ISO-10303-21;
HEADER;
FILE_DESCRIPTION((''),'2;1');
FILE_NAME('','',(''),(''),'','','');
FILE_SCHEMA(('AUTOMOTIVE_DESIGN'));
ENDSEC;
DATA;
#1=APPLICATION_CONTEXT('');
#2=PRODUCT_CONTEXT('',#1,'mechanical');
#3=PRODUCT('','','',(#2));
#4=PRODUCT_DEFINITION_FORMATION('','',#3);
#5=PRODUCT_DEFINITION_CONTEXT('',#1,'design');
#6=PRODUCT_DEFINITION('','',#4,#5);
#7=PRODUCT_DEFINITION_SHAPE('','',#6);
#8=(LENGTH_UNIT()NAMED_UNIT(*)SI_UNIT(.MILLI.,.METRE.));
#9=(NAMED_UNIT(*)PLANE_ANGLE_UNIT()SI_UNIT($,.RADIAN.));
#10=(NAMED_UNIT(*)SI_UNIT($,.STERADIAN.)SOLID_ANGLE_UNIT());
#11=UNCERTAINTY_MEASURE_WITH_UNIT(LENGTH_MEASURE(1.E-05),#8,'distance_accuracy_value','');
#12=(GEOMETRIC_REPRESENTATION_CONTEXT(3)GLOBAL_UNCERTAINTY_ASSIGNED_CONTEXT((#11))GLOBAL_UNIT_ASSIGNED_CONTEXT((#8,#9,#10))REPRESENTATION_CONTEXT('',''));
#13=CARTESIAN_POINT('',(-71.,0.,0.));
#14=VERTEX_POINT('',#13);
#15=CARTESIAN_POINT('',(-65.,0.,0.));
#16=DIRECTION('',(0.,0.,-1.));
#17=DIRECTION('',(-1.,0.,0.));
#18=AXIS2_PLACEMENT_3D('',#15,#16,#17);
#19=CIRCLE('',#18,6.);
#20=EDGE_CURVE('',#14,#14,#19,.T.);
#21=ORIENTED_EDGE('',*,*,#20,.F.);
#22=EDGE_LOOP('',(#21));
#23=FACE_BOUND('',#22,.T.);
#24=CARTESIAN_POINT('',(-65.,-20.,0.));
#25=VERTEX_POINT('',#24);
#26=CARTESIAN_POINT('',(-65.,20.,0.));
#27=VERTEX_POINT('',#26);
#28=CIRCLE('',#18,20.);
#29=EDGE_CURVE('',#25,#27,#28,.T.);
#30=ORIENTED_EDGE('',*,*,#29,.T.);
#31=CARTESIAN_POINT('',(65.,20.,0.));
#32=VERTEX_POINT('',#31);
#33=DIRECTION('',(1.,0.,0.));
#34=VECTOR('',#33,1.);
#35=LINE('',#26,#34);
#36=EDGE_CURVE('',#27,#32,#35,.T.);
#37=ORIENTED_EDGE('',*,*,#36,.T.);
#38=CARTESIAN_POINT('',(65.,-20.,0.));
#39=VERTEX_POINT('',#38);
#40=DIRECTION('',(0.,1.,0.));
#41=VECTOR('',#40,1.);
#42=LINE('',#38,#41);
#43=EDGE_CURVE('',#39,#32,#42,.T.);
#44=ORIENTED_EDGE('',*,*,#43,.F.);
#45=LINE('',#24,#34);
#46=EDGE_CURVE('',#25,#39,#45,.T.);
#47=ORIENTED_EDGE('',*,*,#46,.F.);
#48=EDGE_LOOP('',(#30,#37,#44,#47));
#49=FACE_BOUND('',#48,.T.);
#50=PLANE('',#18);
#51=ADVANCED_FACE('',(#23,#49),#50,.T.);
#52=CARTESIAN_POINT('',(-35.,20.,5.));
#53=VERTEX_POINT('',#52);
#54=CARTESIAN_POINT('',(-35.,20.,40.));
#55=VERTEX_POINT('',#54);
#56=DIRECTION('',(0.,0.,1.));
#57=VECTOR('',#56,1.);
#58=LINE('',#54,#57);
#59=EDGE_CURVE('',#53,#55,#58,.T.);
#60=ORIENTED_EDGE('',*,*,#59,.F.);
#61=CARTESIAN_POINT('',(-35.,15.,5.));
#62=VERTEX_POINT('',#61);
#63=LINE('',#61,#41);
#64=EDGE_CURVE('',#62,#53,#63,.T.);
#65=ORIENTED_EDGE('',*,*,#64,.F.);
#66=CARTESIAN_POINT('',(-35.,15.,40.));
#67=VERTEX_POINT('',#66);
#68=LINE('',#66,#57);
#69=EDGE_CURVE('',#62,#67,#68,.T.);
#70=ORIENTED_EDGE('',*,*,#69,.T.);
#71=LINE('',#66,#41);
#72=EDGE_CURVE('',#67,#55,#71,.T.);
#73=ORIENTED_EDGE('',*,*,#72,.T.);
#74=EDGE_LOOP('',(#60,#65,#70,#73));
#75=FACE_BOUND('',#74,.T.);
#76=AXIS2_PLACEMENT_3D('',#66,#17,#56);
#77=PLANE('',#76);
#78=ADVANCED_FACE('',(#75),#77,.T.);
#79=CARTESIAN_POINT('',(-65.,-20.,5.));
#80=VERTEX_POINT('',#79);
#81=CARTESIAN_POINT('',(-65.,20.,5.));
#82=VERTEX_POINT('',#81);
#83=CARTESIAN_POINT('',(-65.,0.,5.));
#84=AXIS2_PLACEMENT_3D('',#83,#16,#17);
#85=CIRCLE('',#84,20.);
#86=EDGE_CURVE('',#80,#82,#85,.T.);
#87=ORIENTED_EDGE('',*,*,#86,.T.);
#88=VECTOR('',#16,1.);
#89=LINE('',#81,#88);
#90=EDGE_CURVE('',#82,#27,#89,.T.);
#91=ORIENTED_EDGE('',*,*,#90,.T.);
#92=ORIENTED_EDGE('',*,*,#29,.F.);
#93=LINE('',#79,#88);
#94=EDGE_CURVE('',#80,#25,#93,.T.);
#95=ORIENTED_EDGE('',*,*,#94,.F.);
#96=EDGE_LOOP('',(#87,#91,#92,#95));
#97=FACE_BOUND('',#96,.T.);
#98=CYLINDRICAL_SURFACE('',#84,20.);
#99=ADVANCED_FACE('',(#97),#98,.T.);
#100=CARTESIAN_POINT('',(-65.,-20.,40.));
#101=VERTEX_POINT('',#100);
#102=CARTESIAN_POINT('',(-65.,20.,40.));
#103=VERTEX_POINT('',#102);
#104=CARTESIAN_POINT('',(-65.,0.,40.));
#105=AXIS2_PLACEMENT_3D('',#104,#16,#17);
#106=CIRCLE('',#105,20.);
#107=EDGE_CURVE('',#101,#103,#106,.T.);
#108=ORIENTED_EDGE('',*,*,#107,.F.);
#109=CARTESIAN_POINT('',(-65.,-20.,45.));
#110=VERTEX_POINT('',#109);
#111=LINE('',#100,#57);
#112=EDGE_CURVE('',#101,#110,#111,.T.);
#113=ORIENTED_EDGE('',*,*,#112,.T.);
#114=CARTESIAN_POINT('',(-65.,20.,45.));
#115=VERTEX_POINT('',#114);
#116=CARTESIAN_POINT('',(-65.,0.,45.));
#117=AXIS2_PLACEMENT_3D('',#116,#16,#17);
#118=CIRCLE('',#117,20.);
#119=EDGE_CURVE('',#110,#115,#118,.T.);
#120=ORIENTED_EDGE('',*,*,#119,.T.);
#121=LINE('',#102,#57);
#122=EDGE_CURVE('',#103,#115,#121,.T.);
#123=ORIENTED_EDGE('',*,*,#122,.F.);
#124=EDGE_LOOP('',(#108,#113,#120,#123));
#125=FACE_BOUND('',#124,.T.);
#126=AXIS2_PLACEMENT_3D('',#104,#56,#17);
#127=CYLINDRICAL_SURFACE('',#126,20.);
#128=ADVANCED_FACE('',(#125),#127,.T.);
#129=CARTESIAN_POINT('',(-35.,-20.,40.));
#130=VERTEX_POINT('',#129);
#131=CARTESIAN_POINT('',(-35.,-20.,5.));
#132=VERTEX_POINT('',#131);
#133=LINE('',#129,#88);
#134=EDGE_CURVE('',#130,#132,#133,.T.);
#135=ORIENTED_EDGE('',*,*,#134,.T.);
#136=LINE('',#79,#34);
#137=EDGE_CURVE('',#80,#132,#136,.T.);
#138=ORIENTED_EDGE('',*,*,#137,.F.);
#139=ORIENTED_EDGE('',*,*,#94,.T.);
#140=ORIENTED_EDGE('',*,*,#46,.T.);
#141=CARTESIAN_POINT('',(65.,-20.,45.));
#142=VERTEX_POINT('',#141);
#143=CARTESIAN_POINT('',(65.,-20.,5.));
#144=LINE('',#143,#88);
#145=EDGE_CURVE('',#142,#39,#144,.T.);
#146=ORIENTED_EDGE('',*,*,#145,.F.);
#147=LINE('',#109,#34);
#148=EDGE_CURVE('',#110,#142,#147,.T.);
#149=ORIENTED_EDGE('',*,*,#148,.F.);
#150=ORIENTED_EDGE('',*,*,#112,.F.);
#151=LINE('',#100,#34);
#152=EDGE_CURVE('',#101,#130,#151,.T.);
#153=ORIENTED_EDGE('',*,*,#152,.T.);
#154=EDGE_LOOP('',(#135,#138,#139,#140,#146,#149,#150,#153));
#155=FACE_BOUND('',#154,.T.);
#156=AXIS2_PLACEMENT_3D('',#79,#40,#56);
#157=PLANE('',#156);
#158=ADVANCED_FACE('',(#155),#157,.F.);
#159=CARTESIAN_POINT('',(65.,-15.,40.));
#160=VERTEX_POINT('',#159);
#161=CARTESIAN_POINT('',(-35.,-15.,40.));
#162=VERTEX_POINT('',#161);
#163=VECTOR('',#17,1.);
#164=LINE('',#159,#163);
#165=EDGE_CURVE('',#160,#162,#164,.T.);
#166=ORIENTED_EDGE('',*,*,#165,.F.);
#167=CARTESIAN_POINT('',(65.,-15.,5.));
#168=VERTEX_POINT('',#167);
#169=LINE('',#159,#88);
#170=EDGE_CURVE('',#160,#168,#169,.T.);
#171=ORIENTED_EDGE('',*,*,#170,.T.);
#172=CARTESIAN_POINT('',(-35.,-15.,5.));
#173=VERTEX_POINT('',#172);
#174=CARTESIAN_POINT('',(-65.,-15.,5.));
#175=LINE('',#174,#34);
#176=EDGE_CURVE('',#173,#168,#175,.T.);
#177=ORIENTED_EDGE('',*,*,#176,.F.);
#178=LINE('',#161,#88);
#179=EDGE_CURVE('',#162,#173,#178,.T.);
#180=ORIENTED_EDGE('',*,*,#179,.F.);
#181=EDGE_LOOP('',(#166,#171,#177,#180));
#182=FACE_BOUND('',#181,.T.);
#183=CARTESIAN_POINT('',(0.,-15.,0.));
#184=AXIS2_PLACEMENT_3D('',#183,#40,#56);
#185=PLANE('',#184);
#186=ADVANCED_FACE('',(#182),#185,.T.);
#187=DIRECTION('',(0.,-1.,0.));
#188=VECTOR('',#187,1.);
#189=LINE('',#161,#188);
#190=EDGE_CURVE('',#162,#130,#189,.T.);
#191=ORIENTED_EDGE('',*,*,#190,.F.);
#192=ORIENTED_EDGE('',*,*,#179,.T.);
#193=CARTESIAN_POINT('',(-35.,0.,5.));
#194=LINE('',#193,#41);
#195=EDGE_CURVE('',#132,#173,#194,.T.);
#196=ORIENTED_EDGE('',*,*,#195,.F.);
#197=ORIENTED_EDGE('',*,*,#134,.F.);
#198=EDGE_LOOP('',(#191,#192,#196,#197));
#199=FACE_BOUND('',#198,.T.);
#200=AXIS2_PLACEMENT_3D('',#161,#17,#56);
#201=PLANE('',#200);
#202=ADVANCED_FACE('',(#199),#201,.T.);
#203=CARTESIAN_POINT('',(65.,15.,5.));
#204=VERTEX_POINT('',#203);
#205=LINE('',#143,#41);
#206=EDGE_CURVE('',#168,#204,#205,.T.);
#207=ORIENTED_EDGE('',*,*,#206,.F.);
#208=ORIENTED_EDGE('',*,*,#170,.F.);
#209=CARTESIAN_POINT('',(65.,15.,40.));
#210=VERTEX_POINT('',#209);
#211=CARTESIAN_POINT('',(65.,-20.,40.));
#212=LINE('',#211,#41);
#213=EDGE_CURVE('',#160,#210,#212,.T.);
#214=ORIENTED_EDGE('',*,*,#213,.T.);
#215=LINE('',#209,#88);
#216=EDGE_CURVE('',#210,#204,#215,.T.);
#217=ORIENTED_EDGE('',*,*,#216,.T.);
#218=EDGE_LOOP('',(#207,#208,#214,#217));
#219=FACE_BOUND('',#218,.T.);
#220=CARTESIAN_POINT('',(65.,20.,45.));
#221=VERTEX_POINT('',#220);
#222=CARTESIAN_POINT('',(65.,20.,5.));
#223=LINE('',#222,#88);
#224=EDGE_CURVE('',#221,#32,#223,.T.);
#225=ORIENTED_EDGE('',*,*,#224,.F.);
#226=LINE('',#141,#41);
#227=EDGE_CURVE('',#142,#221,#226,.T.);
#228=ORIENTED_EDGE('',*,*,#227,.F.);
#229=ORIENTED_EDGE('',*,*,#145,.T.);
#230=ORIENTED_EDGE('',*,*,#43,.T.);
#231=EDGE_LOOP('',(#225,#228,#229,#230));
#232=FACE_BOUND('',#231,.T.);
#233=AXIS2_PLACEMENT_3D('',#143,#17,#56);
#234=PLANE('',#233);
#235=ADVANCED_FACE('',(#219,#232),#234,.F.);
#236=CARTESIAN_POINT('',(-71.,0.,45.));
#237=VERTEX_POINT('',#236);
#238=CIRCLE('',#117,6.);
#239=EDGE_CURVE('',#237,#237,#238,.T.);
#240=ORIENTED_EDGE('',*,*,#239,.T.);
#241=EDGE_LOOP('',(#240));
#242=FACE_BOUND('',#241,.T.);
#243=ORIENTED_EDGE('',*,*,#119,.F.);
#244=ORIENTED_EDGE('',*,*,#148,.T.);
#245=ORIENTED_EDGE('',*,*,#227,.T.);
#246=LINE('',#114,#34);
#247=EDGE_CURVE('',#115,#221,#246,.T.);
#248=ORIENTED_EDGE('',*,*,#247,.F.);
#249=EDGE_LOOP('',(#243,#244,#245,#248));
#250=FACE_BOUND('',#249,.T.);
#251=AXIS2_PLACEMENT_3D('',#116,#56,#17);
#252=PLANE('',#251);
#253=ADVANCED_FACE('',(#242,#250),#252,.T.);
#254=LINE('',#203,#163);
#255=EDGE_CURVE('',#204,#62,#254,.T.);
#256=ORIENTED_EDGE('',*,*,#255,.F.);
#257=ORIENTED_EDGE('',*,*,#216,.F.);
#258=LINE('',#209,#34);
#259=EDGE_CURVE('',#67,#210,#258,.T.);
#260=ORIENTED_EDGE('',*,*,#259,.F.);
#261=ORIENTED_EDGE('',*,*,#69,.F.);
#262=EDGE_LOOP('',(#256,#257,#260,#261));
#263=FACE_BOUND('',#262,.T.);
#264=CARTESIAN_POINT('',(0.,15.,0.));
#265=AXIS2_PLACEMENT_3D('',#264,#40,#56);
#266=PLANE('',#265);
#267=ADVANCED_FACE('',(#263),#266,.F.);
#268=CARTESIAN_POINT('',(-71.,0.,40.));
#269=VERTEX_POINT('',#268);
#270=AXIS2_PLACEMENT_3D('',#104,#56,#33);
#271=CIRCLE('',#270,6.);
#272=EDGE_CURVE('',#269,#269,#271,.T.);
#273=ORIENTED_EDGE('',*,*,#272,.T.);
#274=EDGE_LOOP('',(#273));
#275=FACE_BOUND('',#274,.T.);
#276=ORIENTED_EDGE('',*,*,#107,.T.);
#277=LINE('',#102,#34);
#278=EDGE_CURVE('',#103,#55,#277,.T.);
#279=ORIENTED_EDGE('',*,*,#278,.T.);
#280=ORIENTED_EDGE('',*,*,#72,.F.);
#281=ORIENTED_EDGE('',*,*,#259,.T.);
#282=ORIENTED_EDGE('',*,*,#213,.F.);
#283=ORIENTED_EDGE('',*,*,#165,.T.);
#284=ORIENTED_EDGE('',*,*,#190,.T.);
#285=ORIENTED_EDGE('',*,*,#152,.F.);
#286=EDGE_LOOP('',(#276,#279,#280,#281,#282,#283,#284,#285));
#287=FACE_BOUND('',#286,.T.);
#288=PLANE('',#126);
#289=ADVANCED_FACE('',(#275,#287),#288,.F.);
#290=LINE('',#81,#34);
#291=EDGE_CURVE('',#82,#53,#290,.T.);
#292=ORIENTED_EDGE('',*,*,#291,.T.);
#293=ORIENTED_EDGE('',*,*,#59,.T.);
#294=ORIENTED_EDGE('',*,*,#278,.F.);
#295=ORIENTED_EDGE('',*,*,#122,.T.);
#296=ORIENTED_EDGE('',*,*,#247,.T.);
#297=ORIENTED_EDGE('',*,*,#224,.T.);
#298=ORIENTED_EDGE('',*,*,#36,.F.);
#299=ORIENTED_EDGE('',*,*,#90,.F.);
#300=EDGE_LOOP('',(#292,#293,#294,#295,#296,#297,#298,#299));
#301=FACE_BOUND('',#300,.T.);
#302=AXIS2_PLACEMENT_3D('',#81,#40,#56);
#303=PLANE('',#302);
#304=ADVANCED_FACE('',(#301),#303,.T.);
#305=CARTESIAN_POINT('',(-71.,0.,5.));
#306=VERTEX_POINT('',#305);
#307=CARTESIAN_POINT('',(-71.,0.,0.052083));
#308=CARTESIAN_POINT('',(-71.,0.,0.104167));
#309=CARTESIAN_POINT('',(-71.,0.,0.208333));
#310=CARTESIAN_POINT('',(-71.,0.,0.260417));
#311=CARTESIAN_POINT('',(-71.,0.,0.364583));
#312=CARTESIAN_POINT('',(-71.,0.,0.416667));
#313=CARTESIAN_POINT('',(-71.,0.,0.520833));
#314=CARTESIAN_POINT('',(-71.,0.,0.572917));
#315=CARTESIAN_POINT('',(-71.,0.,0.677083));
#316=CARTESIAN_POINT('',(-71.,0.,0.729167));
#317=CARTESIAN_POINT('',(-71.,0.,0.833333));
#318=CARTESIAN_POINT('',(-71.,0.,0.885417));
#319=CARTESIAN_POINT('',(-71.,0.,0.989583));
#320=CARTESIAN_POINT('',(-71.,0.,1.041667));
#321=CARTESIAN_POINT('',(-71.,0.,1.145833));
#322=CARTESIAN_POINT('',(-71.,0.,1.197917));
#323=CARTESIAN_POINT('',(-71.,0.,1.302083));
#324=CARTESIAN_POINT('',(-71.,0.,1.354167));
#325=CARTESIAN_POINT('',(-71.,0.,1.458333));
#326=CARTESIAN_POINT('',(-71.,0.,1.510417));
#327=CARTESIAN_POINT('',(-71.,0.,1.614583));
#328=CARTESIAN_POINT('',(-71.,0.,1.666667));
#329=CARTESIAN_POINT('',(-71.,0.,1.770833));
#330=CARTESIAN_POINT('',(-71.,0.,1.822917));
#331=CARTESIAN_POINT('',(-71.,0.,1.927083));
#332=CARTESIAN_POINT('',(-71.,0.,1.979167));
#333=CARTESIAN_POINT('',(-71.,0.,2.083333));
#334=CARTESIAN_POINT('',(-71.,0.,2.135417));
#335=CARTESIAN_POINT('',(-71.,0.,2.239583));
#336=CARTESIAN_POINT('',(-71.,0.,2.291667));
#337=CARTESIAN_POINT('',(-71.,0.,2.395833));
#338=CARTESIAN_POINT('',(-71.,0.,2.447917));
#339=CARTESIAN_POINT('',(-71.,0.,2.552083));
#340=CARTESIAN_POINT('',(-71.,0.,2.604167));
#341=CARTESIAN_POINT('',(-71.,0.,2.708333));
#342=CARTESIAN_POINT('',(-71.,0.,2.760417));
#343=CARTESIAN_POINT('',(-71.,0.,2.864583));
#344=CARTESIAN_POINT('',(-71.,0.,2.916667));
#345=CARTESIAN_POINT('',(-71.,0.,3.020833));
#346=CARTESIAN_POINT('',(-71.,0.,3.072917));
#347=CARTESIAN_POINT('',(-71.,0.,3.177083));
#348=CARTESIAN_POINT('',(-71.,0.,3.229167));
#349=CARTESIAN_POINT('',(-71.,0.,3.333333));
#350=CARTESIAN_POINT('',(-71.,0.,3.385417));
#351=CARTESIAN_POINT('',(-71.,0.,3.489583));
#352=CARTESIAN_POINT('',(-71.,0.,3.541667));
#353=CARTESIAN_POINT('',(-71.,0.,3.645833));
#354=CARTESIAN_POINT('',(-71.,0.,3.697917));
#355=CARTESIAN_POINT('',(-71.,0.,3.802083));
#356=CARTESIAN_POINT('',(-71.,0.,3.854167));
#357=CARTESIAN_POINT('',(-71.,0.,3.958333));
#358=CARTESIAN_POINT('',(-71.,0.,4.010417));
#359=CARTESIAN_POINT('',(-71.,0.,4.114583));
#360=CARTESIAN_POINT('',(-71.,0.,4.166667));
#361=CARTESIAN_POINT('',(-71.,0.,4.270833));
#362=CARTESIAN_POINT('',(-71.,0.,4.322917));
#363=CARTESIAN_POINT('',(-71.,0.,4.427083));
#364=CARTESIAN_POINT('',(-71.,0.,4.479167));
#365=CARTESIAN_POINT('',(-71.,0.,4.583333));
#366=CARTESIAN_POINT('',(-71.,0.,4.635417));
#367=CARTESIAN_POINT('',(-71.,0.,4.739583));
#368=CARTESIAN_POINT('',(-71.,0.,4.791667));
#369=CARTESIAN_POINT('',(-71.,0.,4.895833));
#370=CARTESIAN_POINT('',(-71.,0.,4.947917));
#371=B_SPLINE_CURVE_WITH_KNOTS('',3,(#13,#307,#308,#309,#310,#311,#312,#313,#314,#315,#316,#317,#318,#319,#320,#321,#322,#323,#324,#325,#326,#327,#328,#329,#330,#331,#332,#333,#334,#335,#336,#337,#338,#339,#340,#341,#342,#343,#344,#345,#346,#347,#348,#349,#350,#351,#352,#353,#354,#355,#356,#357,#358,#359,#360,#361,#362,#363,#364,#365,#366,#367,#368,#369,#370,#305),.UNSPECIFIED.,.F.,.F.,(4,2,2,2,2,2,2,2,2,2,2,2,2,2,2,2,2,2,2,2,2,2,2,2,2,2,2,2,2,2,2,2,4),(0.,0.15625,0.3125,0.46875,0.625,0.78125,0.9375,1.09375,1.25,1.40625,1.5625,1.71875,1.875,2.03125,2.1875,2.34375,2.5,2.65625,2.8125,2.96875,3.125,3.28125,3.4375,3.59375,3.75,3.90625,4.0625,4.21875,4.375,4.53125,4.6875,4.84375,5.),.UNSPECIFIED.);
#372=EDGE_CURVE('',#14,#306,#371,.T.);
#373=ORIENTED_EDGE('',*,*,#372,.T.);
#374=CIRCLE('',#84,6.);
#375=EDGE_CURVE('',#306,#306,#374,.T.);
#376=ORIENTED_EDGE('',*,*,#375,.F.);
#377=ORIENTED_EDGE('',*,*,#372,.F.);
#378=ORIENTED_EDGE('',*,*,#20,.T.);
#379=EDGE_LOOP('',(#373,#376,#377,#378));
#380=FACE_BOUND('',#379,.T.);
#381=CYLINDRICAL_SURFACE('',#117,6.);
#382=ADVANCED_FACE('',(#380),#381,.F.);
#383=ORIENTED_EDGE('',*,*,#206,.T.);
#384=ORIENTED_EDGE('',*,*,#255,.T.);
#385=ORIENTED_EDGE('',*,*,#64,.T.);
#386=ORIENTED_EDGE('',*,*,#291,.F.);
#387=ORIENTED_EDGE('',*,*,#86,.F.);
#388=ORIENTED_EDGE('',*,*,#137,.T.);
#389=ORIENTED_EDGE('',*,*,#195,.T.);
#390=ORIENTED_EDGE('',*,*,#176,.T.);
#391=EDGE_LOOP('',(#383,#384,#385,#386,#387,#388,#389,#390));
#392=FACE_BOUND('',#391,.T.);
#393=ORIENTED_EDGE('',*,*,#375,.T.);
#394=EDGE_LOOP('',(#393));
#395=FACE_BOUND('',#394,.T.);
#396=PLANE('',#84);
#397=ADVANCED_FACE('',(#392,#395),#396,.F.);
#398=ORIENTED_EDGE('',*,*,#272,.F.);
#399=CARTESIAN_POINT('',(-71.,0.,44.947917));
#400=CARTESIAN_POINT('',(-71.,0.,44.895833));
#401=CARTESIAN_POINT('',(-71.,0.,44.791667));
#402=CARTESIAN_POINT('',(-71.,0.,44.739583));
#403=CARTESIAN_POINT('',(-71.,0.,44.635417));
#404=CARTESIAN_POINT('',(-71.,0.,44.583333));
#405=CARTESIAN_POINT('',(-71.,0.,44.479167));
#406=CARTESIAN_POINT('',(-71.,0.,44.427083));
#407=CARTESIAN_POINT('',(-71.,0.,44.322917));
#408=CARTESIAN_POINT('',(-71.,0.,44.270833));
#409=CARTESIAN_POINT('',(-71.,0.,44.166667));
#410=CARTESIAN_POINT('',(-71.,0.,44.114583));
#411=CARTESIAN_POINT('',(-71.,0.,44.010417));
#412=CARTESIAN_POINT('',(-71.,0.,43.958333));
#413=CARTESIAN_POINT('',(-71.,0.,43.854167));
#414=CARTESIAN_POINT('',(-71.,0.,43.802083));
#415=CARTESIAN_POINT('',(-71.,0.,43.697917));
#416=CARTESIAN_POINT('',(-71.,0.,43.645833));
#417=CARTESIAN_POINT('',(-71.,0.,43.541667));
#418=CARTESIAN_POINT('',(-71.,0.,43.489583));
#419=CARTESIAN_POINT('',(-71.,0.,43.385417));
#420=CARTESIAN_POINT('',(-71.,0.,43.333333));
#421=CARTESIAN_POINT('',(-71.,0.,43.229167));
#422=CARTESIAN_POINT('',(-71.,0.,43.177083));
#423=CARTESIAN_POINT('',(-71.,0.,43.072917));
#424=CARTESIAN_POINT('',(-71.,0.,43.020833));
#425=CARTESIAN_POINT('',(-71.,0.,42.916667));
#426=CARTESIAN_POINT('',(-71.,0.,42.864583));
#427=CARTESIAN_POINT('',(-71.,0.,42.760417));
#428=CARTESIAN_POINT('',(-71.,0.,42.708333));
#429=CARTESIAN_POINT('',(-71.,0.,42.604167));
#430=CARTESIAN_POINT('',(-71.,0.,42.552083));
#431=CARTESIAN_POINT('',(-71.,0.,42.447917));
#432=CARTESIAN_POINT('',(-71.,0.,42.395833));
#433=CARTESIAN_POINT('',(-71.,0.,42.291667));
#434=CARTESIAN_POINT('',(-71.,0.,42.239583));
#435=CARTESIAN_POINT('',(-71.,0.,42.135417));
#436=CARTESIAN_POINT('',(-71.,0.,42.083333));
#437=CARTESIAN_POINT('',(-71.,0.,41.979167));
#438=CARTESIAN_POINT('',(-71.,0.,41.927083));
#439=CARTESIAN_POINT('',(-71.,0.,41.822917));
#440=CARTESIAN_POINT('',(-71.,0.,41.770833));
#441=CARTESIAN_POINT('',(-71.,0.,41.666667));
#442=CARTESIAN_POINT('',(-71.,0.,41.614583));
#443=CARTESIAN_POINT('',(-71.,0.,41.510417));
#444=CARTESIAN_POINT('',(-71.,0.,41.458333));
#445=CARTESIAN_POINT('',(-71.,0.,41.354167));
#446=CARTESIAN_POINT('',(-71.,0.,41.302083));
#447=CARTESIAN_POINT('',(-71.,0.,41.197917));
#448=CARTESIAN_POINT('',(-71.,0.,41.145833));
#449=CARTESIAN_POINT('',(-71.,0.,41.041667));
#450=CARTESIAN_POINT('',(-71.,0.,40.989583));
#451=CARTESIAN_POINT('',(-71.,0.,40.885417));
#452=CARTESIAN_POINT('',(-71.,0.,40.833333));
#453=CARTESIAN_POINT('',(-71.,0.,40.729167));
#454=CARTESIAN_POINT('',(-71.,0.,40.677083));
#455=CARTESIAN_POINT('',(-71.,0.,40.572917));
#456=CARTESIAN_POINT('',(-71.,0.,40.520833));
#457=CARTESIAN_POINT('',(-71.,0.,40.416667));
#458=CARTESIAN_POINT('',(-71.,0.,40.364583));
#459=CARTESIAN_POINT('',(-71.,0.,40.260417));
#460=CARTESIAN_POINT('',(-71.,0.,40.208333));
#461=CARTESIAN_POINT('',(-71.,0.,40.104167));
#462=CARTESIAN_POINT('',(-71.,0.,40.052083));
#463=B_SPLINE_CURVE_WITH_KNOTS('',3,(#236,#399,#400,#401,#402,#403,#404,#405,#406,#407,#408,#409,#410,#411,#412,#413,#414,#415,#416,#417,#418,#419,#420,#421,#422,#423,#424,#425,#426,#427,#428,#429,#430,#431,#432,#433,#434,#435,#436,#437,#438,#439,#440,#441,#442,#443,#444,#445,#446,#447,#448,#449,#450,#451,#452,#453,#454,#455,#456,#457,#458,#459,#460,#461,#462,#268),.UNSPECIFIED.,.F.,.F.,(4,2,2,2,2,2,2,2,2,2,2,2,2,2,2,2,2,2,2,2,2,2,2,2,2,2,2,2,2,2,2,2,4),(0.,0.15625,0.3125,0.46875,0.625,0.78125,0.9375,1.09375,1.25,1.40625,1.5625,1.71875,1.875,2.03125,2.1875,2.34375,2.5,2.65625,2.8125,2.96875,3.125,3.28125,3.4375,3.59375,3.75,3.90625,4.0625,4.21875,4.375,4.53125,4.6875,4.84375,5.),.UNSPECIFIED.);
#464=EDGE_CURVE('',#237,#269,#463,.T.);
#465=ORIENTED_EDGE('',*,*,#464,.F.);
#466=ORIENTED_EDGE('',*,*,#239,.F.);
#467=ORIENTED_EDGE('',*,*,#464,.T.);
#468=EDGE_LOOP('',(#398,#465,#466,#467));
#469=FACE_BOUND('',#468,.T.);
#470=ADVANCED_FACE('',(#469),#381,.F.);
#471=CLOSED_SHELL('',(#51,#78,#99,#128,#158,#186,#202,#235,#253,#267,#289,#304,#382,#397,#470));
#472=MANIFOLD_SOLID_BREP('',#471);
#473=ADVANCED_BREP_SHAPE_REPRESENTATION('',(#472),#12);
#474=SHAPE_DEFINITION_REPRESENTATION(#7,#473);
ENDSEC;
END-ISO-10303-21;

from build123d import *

# Parameters (mm, degrees)
DODANIE_WYCI_GNI_CIE1_DEPTH = 5
SZKIC2_W                    = 100
SZKIC2_H                    = 35
DODANIE_WYCI_GNI_CIE2_DEPTH = 5
SZKIC3_R                    = 6
WYTNIJ_WYCI_GNI_CIE1_DEPTH  = 99.234413522
SZKIC4_W                    = 100
SZKIC4_H                    = 40
DODANIE_WYCI_GNI_CIE3_DEPTH = 5


with BuildPart() as part:
    # Szkic1 → Dodanie-wyciągnięcie1 (new body)
    with BuildSketch(Plane.XY):
        with BuildLine():
            Line((-65, -20), (65, -20))
            Line((65, -20), (65, 20))
            Line((65, 20), (-65, 20))
            ThreePointArc((-65, 20), (-85, 0), (-65, -20))
        make_face()
    extrude(amount=DODANIE_WYCI_GNI_CIE1_DEPTH)


with BuildPart() as body_2:
    # Lustro2: mirrored copy
    add(part.part.mirror(Plane.XY.offset(22.5)))


with BuildPart() as part_1:
    add(part.part)

    add(body_2.part)  # Dodanie-wyciągnięcie2 merges body 2
    # Szkic2 → Dodanie-wyciągnięcie2 (add)
    with BuildSketch(Plane(origin=(0, 20, 0), x_dir=(1, 0, 0), z_dir=(0, 1, 0))):
        with Locations((15, -22.5)):
            Rectangle(SZKIC2_W, SZKIC2_H)
    extrude(amount=-DODANIE_WYCI_GNI_CIE2_DEPTH)

    # Szkic3 → Wytnij-wyciągnięcie1 (cut, through all)
    with BuildSketch(Plane(origin=(0, 0, 0), x_dir=(-1, 0, 0), z_dir=(0, 0, -1))):
        with Locations((65, 0)):
            Circle(SZKIC3_R)
    extrude(amount=-WYTNIJ_WYCI_GNI_CIE1_DEPTH, mode=Mode.SUBTRACT)

    # Szkic4 → Dodanie-wyciągnięcie3 (add)
    with BuildSketch(Plane.XZ.offset(20)):
        with Locations((15, 20)):
            Rectangle(SZKIC4_W, SZKIC4_H)
    extrude(amount=-DODANIE_WYCI_GNI_CIE3_DEPTH)


solid = part_1.part
